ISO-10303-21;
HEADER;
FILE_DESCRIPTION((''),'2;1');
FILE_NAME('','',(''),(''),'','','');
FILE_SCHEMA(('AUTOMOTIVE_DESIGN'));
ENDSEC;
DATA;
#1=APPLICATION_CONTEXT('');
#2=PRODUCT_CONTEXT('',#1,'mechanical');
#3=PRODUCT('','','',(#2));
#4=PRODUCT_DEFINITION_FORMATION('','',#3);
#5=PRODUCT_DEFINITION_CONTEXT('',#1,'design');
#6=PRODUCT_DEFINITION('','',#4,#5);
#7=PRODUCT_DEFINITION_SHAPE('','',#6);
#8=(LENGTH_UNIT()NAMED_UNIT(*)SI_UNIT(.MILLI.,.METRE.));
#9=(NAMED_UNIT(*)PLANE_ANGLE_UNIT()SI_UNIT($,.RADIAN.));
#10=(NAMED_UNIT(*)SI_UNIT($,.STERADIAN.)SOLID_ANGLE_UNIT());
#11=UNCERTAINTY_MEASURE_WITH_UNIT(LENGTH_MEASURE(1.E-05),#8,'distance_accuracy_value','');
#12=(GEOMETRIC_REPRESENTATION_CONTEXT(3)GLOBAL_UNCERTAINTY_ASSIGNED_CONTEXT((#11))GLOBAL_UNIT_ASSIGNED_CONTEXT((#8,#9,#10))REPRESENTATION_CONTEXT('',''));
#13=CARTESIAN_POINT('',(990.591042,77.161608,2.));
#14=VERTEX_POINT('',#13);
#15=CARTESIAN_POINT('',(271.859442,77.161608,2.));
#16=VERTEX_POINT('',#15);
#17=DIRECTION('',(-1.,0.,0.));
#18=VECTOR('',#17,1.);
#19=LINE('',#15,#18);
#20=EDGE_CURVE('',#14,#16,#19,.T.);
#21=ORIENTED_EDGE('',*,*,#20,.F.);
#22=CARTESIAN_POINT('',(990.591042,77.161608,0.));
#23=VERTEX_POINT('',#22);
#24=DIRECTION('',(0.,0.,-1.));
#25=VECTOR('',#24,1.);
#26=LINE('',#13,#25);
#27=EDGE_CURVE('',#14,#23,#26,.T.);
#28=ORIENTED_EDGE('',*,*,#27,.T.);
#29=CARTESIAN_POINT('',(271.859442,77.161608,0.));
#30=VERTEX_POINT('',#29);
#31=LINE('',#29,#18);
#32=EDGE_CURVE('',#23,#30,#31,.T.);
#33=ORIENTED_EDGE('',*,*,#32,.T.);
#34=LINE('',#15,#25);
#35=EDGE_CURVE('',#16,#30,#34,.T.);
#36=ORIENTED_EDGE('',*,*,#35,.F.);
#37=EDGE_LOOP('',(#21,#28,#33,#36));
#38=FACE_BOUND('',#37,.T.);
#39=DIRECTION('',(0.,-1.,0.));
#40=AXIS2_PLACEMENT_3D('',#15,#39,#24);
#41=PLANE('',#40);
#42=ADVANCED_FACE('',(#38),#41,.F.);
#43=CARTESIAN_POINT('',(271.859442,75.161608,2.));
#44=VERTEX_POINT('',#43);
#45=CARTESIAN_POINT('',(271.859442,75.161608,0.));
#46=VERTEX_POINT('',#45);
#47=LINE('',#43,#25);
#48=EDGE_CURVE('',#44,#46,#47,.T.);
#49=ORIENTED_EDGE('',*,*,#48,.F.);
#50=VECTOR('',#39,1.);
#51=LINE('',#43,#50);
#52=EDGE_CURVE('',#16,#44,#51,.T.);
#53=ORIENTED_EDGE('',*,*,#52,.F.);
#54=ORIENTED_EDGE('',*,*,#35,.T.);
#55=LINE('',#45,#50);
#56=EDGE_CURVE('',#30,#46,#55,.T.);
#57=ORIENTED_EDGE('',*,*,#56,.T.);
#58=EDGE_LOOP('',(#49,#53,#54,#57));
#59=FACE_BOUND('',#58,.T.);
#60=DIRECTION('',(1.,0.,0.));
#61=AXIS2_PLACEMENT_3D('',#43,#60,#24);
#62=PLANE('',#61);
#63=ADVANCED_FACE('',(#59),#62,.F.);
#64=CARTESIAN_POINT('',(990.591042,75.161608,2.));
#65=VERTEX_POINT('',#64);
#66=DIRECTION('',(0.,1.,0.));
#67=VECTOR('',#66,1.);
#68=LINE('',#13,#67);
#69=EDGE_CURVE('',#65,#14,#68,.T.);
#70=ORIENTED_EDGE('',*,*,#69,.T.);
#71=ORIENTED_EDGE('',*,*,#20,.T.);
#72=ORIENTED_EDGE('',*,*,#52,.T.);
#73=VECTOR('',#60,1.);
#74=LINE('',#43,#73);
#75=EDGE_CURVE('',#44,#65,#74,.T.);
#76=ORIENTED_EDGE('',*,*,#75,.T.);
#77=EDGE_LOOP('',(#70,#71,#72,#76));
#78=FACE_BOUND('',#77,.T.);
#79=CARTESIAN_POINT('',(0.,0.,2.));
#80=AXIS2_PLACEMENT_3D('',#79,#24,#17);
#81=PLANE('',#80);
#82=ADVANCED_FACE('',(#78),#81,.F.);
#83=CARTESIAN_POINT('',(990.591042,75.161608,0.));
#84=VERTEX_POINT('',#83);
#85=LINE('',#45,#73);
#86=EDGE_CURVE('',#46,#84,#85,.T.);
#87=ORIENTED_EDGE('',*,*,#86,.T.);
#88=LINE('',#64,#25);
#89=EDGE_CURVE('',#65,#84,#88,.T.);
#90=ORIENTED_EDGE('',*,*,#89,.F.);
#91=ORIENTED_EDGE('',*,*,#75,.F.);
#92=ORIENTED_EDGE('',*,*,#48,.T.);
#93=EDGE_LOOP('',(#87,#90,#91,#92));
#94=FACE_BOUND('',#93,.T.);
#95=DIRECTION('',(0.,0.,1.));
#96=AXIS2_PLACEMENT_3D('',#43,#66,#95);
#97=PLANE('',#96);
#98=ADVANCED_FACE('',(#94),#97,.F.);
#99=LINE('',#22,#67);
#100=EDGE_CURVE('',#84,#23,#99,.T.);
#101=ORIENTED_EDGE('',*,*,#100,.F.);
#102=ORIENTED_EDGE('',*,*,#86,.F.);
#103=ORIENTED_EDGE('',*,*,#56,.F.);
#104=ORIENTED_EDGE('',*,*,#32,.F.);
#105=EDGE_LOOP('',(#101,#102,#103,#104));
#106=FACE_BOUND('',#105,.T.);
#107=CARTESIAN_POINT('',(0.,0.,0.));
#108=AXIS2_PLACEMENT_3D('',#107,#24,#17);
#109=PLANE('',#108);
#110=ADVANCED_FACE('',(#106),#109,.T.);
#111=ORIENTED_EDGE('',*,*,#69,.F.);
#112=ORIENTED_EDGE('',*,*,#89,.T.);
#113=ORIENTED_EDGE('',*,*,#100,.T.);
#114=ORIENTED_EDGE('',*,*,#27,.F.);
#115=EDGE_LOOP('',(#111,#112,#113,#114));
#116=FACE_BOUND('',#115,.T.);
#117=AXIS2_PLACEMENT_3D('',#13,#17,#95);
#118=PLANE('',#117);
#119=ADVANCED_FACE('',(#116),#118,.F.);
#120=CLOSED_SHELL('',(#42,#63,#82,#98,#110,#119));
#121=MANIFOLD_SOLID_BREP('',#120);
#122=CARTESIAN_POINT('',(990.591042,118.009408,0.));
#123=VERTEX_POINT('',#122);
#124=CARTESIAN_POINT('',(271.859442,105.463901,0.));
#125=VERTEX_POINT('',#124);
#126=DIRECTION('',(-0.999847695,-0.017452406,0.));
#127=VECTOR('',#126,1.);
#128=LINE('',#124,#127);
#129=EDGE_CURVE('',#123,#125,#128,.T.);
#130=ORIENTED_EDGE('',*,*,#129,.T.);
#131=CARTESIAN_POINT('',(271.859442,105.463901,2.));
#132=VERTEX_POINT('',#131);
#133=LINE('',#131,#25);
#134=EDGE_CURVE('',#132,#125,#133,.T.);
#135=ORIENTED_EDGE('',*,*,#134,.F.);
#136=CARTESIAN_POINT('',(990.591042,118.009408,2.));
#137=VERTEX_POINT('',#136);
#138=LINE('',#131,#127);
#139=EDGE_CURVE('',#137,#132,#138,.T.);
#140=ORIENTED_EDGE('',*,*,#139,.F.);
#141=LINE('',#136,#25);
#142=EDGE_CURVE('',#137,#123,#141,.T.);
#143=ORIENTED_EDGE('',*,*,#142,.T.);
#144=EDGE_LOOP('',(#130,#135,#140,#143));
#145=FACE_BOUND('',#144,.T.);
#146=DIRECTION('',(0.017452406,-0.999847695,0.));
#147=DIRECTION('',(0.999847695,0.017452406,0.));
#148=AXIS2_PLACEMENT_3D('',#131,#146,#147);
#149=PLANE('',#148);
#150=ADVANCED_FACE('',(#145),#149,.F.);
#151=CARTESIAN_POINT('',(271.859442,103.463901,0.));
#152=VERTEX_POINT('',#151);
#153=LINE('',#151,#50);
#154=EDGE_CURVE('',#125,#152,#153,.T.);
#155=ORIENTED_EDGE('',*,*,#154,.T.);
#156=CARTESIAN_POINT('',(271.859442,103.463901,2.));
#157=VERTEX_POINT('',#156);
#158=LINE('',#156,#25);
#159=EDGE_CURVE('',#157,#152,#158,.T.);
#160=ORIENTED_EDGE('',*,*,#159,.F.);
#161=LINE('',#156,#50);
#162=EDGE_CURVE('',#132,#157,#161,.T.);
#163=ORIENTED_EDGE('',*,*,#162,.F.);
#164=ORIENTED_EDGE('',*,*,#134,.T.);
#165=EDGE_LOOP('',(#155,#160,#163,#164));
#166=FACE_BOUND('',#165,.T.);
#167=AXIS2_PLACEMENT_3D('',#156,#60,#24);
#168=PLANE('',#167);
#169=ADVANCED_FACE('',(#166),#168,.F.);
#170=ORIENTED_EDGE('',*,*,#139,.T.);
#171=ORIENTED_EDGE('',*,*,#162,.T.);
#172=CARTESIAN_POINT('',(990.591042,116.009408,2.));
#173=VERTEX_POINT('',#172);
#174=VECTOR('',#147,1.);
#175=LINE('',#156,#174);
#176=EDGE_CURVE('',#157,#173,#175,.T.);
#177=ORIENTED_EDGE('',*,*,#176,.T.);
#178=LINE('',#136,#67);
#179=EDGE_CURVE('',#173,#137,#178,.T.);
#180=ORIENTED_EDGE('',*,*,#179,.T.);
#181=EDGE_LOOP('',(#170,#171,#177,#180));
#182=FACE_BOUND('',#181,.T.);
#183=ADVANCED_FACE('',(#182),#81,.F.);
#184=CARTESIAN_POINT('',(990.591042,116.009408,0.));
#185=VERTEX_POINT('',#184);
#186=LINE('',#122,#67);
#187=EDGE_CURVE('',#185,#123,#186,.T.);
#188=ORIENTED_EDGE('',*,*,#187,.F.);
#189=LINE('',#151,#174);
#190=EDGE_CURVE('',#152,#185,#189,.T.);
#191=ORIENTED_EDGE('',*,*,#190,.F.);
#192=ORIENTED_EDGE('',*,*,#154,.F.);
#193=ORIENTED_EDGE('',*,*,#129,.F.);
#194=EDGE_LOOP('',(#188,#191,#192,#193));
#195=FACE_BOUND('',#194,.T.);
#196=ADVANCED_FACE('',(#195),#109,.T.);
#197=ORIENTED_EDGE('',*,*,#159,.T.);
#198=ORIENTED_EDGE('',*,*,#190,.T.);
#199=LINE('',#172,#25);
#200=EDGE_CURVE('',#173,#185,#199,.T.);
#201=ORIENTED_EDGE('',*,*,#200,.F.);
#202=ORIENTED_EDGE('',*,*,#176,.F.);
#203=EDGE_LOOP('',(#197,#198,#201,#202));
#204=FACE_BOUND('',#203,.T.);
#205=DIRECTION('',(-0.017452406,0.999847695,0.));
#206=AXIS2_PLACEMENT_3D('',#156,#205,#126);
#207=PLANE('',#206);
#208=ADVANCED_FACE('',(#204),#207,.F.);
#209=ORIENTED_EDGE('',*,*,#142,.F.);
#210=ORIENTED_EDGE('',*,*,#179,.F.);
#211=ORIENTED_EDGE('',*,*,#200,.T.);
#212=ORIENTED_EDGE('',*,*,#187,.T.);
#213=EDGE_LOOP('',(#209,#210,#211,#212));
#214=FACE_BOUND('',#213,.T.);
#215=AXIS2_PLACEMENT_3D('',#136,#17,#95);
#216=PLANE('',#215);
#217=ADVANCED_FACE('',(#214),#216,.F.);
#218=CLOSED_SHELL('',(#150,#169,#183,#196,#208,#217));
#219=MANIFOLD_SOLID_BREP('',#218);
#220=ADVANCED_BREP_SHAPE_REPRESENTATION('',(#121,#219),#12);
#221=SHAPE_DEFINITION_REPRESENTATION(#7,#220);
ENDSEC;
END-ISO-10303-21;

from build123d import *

# Parameters (mm, degrees)
MODEL_W           = 718.7316
MODEL_H           = 2
EXTRUDE_1_DEPTH   = 2
EXTRUDE_1_2_DEPTH = 2


with BuildPart() as part:
    # Model → 凸台-拉伸1 (new body)
    with BuildSketch(Plane.XY):
        with Locations((631.225241677, 76.161607892)):
            Rectangle(MODEL_W, MODEL_H)
    extrude(amount=EXTRUDE_1_DEPTH)


with BuildPart() as body_2:
    # Model → Extrude 1 2 (new body)
    with BuildSketch(Plane.XY):
        Polygon((271.859441677, 103.463901148), (990.591041677, 116.009407892), (990.591041677, 118.009407892), (271.859441677, 105.463901148), align=None)
    extrude(amount=EXTRUDE_1_2_DEPTH)


solid = Compound([part.part, body_2.part])
